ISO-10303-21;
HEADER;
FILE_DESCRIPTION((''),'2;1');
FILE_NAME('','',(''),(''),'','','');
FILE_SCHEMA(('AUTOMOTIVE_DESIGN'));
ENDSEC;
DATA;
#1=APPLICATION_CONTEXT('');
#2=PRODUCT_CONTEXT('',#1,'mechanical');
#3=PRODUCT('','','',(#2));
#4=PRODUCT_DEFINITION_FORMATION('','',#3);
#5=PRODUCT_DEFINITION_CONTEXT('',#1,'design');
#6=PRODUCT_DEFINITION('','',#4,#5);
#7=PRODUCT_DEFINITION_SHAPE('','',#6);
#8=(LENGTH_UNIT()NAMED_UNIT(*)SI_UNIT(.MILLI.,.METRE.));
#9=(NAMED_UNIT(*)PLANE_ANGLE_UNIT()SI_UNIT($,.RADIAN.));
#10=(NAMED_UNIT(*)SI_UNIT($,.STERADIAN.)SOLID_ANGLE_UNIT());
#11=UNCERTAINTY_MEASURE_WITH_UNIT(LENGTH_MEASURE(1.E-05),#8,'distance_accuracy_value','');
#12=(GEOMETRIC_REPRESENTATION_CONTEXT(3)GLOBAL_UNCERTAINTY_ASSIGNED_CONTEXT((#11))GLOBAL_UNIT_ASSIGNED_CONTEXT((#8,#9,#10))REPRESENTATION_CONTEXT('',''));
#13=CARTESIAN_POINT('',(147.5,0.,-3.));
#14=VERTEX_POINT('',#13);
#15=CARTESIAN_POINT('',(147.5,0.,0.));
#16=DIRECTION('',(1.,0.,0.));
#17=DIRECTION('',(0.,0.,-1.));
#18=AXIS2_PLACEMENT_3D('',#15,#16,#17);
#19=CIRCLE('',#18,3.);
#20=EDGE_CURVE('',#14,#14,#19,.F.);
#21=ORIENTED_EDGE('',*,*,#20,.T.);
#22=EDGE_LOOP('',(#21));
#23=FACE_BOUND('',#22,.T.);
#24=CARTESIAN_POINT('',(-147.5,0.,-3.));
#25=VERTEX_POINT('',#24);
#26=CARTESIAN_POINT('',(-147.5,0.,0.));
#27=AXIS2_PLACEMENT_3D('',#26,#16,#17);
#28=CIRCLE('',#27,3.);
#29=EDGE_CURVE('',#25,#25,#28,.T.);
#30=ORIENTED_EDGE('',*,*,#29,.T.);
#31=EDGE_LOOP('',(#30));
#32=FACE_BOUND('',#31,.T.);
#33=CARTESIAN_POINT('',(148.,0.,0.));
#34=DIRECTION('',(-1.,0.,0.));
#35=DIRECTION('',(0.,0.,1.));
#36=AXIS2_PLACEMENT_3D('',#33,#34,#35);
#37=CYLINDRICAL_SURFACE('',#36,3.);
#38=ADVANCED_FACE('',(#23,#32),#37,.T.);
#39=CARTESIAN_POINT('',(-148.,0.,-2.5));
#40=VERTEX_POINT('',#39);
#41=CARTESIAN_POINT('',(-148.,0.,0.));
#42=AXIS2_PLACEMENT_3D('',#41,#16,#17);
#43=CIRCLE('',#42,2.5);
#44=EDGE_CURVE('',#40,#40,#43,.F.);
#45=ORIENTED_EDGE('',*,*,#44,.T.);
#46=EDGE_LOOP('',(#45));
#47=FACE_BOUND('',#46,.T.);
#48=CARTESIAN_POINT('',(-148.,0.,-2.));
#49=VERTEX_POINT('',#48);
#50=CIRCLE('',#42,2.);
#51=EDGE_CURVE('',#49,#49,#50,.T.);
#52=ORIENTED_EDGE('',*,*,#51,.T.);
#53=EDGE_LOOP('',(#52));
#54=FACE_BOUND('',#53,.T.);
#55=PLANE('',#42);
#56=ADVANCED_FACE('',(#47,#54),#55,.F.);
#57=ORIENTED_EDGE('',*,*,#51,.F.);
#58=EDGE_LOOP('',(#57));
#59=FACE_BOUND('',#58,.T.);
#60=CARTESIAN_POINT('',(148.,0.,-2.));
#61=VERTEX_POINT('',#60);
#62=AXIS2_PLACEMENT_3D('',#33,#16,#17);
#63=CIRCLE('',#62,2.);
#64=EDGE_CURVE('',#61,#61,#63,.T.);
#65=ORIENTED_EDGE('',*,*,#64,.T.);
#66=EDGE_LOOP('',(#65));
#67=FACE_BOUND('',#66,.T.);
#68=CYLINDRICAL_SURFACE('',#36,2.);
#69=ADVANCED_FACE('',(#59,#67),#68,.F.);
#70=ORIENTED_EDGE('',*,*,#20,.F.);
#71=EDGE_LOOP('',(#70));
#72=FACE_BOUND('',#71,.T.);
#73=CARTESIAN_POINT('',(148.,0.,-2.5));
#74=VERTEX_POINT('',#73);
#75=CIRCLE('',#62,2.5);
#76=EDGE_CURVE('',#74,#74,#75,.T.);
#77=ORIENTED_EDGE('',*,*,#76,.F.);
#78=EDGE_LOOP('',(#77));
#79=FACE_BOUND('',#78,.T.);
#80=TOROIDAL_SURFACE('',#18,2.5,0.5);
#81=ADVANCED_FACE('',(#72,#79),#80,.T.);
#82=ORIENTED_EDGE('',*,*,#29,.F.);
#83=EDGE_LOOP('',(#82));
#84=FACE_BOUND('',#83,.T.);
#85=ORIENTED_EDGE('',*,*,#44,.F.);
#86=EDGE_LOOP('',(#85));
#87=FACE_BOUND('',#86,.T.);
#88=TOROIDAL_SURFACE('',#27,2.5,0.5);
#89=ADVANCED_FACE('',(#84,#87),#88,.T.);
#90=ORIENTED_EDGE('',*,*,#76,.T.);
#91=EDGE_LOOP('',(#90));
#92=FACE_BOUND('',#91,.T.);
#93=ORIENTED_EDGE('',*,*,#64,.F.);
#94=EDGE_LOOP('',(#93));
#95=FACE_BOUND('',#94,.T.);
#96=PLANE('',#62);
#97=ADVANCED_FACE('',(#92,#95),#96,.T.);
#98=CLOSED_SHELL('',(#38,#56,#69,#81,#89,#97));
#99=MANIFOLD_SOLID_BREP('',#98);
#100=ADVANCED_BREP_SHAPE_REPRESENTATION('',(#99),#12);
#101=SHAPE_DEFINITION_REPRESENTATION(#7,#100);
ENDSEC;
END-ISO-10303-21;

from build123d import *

# Parameters (mm, degrees)
SKETCH_1_R      = 3
SKETCH_1_R_2    = 2
EXTRUDE_1_DEPTH = 148
FILLET_1_R      = 0.5


with BuildPart() as part:
    # Эскиз1 → Бобышка-Вытянуть1 (new, symmetric)
    with BuildSketch(Plane(origin=(0, 0, 0), x_dir=(0, 0, -1), z_dir=(1, 0, 0))):
        Circle(SKETCH_1_R)
        Circle(SKETCH_1_R_2, mode=Mode.SUBTRACT)
    extrude(amount=EXTRUDE_1_DEPTH, both=True)

    # Скругление1
    fillet_1_edges = [part.edges().sort_by_distance(p)[0] for p in [
        (-148, 0, 3),
        (148, 0, 3),
    ]]
    fillet(fillet_1_edges, radius=FILLET_1_R)


solid = part.part
